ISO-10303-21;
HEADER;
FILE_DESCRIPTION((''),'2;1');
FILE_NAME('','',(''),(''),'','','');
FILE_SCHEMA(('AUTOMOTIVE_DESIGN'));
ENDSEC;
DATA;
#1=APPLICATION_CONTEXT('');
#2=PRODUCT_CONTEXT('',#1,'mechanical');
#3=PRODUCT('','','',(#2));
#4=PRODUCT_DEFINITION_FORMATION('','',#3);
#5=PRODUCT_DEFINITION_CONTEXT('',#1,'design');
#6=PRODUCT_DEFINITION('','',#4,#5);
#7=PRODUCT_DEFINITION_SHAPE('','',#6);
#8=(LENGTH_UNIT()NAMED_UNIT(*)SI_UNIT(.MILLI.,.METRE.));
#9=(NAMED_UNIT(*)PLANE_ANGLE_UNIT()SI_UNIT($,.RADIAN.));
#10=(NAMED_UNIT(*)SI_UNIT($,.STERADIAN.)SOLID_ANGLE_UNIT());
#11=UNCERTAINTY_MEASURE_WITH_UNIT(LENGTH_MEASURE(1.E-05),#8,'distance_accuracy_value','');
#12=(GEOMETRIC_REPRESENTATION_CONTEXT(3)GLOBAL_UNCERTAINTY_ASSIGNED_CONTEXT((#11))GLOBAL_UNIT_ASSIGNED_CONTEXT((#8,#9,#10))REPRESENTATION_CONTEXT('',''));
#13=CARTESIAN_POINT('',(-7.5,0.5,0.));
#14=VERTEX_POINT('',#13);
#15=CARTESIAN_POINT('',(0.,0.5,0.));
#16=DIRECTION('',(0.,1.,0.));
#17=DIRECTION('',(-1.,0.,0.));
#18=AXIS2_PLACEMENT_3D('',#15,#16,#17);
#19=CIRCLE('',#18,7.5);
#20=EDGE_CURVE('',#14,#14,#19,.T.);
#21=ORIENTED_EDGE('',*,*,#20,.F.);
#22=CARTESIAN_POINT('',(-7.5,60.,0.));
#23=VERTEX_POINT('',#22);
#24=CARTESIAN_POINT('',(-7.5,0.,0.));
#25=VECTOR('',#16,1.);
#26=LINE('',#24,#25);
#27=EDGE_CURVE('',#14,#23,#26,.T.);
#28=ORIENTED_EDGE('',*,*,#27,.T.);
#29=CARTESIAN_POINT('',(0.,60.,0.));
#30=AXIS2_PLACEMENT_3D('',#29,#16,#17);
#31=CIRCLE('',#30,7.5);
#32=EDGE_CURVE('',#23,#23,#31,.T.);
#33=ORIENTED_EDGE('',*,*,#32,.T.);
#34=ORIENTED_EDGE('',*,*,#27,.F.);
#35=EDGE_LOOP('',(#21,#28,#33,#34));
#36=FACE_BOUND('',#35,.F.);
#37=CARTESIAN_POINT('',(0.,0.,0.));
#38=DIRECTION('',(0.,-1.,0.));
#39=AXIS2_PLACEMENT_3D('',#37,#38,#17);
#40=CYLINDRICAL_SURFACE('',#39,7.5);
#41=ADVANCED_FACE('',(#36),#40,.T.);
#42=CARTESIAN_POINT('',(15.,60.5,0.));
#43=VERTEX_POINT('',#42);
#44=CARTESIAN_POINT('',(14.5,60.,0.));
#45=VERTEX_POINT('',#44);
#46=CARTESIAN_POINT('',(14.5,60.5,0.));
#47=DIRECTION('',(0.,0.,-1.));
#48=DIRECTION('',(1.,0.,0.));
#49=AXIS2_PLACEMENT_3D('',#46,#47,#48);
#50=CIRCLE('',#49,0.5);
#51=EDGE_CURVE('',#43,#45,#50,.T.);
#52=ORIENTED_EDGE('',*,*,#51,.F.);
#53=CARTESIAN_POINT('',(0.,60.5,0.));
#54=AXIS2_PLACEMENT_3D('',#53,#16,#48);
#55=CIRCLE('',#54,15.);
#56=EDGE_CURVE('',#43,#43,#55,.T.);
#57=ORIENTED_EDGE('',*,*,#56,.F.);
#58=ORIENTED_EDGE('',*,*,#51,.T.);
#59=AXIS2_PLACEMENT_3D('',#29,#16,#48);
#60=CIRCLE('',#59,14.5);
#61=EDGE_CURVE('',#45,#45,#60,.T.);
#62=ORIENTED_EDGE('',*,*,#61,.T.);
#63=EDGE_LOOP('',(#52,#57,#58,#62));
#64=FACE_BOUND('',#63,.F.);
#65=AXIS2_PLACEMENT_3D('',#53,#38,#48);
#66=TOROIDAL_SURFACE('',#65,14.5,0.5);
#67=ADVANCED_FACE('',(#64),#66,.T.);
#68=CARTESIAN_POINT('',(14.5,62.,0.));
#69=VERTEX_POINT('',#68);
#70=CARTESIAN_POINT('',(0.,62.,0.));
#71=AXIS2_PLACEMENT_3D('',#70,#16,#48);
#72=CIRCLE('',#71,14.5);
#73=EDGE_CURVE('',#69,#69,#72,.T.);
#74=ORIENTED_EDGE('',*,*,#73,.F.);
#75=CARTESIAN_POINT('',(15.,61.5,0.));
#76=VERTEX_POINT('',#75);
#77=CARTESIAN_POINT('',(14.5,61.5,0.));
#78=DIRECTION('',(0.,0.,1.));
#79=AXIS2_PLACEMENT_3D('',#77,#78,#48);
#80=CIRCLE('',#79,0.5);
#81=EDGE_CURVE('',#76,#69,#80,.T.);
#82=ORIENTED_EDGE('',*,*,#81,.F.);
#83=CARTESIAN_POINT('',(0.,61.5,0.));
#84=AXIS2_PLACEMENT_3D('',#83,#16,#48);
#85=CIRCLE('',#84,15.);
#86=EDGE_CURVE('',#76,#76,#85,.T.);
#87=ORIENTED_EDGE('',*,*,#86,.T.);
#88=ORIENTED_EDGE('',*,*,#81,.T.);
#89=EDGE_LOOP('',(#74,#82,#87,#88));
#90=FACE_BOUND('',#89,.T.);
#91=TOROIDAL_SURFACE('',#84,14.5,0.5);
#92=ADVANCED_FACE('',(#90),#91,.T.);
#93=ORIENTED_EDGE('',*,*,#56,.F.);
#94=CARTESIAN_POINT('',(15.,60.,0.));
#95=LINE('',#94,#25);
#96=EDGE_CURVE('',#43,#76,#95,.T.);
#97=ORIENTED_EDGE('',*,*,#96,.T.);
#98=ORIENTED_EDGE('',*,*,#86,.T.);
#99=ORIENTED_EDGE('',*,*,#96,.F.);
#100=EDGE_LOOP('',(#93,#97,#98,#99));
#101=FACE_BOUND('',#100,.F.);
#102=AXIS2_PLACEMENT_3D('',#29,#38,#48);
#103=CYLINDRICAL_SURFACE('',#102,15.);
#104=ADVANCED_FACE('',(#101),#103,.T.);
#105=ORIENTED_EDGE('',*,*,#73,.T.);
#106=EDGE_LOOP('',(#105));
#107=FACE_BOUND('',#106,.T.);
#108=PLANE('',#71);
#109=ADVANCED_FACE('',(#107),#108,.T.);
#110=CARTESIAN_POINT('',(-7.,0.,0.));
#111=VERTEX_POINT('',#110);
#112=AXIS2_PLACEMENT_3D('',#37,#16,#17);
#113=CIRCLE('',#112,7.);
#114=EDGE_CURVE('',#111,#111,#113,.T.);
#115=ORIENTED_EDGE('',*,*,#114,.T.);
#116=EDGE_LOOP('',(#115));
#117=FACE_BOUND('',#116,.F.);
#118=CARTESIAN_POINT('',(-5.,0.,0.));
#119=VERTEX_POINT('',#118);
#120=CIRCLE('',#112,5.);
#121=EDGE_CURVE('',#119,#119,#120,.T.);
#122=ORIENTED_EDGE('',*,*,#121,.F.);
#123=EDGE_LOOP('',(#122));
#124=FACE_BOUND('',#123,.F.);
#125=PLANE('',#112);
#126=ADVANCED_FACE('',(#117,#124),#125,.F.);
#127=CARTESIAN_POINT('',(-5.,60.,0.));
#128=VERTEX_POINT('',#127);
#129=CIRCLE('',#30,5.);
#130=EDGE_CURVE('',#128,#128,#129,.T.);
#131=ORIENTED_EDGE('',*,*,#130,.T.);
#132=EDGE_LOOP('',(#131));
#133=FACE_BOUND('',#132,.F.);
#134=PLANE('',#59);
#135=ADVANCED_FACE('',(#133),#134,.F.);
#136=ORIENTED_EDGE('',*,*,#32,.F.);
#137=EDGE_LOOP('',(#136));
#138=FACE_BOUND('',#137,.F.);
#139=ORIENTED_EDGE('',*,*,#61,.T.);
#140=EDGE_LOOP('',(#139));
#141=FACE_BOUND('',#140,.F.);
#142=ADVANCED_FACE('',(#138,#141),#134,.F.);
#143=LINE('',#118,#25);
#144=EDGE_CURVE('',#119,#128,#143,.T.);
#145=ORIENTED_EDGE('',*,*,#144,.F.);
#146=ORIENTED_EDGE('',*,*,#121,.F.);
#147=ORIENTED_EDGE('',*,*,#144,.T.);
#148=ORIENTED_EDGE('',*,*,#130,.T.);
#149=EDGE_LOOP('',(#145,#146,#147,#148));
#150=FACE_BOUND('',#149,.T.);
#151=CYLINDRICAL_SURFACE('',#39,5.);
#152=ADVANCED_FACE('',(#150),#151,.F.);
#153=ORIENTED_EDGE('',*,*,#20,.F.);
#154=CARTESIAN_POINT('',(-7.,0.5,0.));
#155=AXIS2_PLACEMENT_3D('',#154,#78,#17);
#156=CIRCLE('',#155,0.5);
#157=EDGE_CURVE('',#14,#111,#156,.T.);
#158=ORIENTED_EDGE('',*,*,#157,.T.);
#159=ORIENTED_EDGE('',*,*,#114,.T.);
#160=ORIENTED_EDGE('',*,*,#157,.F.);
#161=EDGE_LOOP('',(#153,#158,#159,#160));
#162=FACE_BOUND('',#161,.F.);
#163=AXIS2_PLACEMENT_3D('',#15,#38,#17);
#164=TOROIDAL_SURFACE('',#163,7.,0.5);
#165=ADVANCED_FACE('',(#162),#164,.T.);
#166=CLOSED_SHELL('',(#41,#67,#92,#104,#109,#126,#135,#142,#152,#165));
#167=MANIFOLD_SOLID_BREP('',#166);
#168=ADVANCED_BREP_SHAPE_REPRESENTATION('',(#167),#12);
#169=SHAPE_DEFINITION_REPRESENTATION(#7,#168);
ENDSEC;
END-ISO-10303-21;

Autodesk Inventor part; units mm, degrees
ref_plane "YZ Plane" through (0, 0, 0) normal (1, 0, 0) x (0, 1, 0)
ref_plane "XZ Plane" through (0, 0, 0) normal (0, 1, 0) x (-1, 0, 0)
ref_plane "XY Plane" through (0, 0, 0) normal (0, 0, 1) x (1, 0, 0)
sketch "Boceto1" plane through (0, 0, 0) normal (0, 1, 0) x (-1, 0, 0)
  circle A0 centre (0, 0) radius 7.5
  circle A1 centre (0, 0) radius 5
  dimension "d0" = 15
  dimension "d1" = 10
extrude "Extrusión1" add sketch "Boceto1" along normal blind 60
sketch "Boceto2" plane through (0, 60, 0) normal (0, 1, 0) x (1, 0, 0)
  circle A0 centre (0, 0) radius 15
  dimension "d4" = 30
extrude "Extrusión2" add sketch "Boceto2" along normal blind 2
fillet "Empalme1" radius 0.5 1 edges at (-15, 62, 0)
fillet "Empalme2" radius 0.5 1 edges at (-15, 60, 0)
fillet "Empalme3" radius 0.5 1 edges at (7.5, 0, 0)
properties part number "contra_bici"
